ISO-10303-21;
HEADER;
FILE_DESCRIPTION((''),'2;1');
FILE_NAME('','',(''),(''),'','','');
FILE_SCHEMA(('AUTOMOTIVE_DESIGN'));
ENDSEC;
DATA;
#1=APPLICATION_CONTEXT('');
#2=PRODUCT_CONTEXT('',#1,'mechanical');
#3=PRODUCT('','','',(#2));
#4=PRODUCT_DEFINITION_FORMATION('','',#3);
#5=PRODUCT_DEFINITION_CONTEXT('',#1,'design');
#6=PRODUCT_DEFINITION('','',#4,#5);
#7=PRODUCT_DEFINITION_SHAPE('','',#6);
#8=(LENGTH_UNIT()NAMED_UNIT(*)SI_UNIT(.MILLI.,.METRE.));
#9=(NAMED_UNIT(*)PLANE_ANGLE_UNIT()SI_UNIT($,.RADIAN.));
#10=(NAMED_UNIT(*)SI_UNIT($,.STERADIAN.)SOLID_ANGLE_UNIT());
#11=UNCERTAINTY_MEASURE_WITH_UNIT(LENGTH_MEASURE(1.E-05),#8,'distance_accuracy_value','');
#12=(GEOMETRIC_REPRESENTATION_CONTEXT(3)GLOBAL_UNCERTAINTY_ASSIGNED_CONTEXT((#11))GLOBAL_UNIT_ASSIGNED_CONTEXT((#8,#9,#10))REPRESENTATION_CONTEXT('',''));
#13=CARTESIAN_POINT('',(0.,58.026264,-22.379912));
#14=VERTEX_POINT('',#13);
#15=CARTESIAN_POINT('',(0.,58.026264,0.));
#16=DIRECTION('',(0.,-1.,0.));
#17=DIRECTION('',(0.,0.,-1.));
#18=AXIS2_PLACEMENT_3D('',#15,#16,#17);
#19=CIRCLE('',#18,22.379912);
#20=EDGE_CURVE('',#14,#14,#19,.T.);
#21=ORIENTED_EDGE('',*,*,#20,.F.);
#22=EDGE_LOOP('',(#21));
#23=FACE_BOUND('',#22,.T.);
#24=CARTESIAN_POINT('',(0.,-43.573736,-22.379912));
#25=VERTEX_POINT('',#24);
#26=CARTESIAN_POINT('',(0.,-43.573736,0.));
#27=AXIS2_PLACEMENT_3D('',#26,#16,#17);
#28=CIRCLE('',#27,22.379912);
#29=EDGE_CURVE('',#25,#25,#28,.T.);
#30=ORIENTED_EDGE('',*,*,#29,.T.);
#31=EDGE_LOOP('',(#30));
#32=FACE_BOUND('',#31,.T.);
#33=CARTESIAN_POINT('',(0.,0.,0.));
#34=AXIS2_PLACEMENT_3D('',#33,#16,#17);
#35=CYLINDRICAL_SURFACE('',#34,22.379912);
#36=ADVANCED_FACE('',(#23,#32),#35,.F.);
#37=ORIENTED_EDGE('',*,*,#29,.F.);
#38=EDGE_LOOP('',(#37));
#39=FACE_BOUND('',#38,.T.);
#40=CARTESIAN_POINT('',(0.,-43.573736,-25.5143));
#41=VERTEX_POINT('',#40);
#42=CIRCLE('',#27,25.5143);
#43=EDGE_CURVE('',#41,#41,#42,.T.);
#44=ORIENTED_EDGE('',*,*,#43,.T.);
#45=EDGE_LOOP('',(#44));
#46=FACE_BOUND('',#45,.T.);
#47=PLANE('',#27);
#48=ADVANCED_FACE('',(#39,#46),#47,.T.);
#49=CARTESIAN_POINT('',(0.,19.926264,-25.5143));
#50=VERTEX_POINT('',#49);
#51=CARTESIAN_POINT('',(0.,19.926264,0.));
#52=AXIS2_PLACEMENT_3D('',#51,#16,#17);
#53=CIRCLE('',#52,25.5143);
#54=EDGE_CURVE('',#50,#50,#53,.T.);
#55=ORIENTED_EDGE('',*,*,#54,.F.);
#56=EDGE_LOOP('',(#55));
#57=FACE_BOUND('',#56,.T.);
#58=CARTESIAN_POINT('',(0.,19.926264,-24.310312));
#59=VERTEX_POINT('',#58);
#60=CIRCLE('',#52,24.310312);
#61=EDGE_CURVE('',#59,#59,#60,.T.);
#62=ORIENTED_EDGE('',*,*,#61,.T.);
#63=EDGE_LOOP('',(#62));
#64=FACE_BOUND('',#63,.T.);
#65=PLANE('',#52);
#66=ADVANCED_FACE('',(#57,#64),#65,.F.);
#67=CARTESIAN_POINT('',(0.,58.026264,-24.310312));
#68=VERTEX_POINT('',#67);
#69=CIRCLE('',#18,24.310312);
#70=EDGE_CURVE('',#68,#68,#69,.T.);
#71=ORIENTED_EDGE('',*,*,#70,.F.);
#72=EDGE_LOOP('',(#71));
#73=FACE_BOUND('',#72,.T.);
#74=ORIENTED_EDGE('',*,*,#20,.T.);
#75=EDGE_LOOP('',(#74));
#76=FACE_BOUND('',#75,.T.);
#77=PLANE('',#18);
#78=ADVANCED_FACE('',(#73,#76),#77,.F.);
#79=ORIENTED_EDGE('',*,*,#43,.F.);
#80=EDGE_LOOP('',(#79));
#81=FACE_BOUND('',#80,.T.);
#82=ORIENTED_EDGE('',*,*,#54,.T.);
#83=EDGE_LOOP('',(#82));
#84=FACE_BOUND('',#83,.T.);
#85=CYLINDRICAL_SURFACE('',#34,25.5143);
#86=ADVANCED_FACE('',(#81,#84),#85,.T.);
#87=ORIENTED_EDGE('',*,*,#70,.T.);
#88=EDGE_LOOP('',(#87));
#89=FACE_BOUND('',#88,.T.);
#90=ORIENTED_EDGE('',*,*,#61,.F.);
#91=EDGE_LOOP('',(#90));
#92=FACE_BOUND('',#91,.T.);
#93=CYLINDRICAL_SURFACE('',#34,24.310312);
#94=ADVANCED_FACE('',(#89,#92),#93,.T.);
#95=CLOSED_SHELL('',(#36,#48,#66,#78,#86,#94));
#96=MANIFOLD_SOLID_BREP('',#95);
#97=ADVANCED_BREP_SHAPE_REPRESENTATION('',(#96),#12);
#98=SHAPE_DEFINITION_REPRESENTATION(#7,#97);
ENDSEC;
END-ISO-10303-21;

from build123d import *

# Parameters (mm, degrees)
SKETCH1_W   = 1.203987507
SKETCH1_H   = 63.5
SKETCH1_W_2 = 1.9304
SKETCH1_H_2 = 101.6


with BuildPart() as part:
    # Sketch1 → Revolve1 (revolve)
    with BuildSketch(Plane.XY, mode=Mode.PRIVATE) as revolve1_sk:
        with Locations((24.912306247, -11.823736117)):
            Rectangle(SKETCH1_W, SKETCH1_H)
        with Locations((23.345112493, 7.226263883)):
            Rectangle(SKETCH1_W_2, SKETCH1_H_2)
    revolve(revolve1_sk.sketch.rotate(Axis((0, 0, 0), (0, 1, 0)), 90), axis=Axis((0, 0, 0), (0, 1, 0)))


solid = part.part
